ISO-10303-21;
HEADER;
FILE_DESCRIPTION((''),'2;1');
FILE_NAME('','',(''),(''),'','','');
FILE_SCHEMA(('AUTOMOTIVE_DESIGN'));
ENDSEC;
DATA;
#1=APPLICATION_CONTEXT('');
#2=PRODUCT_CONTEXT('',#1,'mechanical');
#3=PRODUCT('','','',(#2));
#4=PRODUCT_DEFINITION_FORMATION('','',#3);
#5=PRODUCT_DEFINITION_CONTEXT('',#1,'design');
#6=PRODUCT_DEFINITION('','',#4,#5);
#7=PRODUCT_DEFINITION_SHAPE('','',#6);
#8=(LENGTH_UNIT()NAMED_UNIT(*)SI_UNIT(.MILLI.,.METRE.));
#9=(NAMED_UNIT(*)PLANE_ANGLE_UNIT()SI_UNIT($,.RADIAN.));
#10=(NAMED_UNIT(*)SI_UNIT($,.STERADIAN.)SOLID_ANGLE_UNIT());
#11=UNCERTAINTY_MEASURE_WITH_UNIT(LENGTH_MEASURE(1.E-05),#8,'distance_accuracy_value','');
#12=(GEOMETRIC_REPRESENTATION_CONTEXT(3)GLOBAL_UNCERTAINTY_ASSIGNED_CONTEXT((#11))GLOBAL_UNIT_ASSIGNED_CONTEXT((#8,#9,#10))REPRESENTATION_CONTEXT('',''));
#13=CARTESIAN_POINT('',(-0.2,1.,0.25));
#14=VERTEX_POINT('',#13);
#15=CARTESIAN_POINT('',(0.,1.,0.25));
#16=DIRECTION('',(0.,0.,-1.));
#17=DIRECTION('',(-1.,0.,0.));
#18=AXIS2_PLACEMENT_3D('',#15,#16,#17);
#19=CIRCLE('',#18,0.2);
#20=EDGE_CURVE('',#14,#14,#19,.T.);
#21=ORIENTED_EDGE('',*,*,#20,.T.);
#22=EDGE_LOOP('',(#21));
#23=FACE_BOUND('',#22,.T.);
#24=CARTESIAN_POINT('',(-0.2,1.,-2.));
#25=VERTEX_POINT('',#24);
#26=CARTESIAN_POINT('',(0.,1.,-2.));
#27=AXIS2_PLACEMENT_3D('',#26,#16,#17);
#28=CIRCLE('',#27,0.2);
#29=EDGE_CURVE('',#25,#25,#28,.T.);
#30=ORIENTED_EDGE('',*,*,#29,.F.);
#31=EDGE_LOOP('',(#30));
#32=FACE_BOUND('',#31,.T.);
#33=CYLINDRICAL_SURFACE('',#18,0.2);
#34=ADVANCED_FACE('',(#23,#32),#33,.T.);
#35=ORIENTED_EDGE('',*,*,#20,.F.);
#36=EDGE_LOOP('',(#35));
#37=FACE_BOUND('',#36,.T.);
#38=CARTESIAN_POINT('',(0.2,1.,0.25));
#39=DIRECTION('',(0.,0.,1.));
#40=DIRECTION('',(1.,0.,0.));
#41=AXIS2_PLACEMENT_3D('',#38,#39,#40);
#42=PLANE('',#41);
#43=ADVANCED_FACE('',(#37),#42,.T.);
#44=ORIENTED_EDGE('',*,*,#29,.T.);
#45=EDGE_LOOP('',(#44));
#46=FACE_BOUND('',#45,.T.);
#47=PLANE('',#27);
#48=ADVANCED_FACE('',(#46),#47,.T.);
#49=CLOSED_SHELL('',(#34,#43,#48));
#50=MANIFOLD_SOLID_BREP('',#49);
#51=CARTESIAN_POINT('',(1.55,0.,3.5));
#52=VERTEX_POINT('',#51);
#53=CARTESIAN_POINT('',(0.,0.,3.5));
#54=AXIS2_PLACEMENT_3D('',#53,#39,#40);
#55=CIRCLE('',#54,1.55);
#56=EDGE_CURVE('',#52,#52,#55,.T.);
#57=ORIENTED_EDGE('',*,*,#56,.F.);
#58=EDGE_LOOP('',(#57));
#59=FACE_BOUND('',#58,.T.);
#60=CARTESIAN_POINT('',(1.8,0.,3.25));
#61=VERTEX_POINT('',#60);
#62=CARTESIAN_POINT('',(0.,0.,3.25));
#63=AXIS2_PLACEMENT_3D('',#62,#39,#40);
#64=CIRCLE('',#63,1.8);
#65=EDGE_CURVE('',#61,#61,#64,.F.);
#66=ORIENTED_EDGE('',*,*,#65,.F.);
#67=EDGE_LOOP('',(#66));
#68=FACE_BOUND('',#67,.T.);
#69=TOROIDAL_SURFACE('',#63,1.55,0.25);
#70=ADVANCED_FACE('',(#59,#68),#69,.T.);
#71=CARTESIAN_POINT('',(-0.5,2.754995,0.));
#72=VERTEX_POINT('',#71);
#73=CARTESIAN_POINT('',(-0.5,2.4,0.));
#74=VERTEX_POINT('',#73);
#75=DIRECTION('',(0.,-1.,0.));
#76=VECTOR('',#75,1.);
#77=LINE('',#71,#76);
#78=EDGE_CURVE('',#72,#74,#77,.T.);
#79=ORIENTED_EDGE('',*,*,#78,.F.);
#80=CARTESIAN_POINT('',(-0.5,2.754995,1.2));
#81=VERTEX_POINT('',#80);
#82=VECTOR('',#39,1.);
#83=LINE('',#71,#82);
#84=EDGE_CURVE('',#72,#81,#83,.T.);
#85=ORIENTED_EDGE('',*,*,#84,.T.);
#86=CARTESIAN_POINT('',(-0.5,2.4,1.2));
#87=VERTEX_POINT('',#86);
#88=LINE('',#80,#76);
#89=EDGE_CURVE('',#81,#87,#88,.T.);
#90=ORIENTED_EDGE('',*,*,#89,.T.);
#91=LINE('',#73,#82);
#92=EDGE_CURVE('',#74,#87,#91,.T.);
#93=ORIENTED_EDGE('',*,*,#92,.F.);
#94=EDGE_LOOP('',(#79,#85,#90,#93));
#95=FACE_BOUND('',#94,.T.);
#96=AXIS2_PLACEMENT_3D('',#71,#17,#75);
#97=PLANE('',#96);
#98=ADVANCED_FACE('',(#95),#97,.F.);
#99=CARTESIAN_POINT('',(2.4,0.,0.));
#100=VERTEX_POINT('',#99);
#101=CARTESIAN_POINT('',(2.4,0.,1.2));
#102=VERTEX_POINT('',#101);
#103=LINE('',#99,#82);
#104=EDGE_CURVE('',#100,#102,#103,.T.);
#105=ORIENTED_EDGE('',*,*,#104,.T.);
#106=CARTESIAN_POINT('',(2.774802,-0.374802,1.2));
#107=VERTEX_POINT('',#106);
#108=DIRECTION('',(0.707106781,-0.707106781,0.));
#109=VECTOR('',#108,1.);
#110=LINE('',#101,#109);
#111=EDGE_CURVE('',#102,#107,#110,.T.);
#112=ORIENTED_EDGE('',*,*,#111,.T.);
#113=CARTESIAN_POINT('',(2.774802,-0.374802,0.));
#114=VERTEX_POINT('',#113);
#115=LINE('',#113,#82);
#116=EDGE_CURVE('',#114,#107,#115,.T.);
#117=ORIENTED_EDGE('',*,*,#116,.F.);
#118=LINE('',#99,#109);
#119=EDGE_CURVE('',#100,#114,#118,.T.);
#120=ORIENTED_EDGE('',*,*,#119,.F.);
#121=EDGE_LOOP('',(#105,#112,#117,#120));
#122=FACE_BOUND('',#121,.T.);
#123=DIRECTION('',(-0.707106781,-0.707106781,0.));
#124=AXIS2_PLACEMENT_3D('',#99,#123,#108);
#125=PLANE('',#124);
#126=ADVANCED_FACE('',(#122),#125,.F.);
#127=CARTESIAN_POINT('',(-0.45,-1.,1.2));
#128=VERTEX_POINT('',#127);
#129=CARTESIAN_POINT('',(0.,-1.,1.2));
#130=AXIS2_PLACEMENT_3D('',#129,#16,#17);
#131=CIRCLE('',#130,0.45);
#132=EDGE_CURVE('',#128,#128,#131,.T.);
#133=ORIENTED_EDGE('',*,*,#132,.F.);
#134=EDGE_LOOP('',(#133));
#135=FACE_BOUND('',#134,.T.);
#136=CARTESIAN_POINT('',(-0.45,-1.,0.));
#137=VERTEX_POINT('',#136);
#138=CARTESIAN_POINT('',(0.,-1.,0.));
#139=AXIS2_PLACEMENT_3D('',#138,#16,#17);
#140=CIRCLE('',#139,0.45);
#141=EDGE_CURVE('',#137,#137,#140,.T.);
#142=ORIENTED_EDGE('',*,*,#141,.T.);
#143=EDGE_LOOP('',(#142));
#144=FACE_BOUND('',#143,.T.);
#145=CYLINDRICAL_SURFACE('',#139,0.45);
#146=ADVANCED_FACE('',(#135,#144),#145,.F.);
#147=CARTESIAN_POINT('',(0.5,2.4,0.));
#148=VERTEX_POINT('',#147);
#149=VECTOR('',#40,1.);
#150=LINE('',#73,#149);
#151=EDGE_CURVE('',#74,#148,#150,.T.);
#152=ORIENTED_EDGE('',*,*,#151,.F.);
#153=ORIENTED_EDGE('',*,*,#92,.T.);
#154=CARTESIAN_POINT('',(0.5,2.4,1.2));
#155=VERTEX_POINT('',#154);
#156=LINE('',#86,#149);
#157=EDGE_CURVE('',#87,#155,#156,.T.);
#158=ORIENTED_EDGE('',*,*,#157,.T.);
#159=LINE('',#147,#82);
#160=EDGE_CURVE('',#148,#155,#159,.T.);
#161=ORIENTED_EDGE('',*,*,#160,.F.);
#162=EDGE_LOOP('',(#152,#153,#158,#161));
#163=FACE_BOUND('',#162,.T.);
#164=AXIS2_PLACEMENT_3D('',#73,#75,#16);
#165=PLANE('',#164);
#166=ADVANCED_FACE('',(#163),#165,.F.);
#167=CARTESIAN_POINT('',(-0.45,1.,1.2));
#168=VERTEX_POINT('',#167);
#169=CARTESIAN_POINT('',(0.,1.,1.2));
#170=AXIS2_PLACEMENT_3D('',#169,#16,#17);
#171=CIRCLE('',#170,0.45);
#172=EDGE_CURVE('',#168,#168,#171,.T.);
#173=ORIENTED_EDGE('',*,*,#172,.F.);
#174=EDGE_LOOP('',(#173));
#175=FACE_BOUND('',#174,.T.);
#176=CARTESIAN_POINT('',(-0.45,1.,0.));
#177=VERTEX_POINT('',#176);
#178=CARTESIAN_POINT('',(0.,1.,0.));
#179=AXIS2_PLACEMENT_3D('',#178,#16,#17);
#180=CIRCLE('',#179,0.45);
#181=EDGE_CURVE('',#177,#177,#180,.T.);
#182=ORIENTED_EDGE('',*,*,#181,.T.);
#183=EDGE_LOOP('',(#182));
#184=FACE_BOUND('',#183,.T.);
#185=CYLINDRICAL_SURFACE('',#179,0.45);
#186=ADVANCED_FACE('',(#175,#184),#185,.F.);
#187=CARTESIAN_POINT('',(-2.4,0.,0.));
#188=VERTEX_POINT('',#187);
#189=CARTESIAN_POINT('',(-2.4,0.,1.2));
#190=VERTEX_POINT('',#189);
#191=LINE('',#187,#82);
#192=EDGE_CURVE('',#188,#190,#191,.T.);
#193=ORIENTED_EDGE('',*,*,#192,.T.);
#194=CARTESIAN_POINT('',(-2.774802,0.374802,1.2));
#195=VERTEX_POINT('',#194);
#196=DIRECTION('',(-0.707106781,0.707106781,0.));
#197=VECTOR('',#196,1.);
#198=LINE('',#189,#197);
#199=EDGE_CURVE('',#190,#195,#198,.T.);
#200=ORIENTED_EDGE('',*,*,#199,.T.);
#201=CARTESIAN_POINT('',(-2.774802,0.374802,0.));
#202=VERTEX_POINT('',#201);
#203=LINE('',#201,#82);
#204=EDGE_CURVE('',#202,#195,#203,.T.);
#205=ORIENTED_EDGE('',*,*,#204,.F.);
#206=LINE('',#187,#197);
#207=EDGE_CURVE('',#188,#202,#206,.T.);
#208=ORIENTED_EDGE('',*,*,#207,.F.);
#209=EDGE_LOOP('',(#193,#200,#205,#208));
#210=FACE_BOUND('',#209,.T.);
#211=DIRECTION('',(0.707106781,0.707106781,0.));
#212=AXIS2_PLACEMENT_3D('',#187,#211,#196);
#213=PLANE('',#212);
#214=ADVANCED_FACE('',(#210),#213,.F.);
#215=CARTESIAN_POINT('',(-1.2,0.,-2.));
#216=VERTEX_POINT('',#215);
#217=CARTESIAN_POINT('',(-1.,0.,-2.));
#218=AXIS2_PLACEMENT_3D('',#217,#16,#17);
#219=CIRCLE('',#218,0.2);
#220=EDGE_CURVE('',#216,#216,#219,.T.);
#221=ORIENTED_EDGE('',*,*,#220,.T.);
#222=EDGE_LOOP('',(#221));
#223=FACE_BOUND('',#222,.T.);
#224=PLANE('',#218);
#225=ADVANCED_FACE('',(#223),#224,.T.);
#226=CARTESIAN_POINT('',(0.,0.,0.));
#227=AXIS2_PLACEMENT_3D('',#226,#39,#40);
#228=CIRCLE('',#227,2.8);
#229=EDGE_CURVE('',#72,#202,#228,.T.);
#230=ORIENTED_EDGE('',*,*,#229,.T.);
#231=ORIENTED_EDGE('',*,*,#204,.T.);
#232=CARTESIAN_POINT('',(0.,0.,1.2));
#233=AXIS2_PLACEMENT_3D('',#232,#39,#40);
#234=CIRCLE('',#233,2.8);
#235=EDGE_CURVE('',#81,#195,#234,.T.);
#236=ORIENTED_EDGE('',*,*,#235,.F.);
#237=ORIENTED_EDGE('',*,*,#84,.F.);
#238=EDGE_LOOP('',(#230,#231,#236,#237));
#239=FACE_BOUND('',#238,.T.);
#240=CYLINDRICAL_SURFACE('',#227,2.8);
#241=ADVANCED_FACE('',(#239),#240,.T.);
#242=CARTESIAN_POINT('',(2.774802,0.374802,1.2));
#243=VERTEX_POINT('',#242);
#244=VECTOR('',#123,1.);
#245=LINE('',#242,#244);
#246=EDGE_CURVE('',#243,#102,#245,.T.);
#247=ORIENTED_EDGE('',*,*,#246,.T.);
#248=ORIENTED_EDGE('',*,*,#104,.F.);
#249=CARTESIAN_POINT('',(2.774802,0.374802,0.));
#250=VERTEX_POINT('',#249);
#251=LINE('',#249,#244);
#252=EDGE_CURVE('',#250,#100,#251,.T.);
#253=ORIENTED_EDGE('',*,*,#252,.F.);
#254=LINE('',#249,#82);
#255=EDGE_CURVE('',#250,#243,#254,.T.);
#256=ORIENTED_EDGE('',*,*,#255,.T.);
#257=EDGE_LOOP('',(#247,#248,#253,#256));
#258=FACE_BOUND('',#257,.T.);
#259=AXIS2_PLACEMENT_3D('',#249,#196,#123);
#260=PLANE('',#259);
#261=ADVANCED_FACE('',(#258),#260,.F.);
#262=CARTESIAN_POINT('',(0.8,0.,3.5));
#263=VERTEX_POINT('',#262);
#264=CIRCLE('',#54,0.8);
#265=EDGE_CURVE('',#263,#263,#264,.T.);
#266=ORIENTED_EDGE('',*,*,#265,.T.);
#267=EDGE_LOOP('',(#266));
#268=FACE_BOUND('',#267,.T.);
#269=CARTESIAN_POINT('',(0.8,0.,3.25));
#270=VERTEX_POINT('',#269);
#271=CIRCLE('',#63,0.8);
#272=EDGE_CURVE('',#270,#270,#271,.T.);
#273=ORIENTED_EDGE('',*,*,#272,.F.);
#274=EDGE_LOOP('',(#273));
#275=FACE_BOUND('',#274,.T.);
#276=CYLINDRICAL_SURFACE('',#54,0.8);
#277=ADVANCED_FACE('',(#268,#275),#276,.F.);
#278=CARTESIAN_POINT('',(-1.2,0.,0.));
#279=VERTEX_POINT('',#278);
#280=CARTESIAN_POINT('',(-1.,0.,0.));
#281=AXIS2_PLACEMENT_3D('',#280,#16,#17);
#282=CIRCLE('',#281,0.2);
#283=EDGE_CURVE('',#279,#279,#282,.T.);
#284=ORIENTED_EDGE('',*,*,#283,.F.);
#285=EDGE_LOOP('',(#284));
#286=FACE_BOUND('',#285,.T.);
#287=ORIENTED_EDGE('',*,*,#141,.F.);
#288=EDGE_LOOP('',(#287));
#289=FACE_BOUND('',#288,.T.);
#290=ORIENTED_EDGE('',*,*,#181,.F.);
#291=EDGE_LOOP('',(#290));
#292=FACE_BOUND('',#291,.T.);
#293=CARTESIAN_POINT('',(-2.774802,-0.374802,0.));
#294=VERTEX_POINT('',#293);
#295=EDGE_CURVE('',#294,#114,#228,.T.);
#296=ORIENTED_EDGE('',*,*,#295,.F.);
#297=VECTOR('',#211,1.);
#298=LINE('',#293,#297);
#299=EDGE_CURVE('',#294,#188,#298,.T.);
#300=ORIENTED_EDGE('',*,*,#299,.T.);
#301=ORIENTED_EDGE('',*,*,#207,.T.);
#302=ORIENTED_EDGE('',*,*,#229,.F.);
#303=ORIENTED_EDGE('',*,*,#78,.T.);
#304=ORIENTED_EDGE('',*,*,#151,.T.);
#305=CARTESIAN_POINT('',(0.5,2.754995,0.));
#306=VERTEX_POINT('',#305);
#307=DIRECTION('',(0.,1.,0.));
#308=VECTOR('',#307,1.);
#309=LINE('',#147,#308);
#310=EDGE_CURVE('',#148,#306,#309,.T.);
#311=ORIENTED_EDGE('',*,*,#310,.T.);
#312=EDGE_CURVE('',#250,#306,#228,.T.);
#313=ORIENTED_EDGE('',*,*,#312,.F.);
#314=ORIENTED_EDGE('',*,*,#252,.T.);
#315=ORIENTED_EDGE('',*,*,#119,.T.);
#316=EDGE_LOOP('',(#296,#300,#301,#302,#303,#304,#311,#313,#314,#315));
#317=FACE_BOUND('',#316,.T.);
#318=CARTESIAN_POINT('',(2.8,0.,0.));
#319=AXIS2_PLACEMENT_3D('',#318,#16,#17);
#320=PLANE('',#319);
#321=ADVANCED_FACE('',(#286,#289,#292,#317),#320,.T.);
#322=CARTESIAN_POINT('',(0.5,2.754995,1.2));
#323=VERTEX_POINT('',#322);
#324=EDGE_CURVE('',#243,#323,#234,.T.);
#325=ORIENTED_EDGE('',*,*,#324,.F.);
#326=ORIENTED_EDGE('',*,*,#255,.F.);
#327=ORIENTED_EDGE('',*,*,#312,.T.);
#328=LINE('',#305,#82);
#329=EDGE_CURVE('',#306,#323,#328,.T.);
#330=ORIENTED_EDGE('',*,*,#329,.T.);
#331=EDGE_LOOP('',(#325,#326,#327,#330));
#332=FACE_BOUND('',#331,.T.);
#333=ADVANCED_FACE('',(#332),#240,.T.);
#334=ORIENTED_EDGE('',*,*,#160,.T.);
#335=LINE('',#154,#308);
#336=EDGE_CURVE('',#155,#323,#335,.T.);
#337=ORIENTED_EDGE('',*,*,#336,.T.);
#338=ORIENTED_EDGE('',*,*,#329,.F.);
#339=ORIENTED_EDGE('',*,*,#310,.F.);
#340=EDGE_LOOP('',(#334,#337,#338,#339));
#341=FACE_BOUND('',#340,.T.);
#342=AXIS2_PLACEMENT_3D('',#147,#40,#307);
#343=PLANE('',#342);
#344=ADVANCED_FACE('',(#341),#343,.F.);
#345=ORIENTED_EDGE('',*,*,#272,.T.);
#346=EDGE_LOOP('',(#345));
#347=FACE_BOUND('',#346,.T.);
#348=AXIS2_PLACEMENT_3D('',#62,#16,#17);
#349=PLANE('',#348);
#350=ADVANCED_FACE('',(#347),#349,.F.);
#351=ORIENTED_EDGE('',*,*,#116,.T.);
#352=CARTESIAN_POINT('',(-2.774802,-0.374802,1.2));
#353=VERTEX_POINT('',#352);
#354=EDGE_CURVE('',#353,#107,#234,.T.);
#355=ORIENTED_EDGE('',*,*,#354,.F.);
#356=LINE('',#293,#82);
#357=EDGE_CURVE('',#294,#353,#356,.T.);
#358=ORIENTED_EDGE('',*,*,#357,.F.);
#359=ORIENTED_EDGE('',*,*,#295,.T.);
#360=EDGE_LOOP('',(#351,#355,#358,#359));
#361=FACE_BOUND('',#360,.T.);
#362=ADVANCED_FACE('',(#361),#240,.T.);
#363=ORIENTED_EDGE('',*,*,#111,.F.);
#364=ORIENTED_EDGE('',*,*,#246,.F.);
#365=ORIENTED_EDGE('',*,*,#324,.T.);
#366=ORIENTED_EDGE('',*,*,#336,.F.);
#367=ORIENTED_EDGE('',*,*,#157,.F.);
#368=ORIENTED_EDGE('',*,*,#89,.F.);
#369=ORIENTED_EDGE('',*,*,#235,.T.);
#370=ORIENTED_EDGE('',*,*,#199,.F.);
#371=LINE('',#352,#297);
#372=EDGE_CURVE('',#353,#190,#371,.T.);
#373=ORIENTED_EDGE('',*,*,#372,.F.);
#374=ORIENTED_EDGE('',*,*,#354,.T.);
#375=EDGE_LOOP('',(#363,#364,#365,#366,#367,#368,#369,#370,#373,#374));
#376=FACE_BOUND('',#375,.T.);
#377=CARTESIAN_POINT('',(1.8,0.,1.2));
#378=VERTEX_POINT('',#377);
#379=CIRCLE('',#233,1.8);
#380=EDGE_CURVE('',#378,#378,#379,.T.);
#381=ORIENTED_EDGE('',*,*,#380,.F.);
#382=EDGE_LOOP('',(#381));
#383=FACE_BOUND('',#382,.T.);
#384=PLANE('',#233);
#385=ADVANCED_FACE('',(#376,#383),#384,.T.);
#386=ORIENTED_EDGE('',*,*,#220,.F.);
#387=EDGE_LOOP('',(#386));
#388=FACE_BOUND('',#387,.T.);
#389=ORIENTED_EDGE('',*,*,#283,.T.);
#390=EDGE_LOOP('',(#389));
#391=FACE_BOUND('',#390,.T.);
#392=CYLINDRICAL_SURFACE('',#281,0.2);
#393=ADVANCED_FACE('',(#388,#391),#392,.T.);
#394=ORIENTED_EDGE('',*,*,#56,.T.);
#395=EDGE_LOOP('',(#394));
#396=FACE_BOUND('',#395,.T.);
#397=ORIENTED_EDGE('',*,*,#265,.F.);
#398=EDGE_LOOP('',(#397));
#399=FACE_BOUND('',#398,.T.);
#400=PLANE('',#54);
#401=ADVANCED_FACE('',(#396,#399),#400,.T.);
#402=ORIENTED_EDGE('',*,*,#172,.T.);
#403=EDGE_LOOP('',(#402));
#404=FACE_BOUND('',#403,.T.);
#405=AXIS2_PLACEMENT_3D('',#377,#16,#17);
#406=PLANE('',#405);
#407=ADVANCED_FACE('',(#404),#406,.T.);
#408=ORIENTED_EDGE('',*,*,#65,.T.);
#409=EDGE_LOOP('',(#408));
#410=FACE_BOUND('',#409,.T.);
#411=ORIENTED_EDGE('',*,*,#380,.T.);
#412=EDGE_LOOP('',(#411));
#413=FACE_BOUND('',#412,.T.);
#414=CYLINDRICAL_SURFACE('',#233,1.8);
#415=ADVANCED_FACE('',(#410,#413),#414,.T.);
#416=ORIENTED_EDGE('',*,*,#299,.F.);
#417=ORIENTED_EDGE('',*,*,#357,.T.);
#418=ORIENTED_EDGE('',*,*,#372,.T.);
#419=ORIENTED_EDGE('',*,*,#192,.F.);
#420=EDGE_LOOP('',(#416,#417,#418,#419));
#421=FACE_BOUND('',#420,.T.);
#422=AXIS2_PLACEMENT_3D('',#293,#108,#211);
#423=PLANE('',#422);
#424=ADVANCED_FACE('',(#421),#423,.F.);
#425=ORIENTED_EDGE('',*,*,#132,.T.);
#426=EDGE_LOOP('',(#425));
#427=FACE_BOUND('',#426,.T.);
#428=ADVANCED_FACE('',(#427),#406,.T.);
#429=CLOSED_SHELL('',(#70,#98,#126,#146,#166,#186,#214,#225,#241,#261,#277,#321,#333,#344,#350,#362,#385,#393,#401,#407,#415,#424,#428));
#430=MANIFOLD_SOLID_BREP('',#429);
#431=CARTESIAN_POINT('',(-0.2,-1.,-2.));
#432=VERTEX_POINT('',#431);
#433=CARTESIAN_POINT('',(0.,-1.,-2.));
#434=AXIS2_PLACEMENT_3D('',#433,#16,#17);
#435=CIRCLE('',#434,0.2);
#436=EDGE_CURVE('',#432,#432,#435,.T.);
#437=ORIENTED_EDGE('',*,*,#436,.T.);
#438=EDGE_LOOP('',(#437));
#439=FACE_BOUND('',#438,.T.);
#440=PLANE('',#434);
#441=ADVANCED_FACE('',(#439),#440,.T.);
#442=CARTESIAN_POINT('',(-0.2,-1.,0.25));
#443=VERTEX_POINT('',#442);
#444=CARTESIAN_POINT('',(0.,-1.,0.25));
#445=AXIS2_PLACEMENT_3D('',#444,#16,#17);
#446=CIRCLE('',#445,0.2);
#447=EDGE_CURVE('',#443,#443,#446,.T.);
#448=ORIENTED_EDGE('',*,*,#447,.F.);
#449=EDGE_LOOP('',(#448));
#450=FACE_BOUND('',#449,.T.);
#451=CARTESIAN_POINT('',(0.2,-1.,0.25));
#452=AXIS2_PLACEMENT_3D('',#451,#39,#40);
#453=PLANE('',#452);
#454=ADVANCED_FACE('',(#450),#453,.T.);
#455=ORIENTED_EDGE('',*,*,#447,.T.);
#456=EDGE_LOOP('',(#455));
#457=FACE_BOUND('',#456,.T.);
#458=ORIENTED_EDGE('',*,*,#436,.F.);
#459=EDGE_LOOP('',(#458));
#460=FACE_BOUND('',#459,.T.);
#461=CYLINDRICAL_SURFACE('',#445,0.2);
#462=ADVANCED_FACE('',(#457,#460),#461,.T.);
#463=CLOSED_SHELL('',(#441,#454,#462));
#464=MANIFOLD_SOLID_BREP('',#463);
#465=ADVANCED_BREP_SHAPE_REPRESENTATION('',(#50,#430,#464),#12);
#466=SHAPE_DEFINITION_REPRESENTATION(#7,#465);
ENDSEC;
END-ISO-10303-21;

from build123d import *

# Parameters (mm, degrees)
SKETCH1_W                  = 2.8
SKETCH1_H                  = 1.2
CUT_EXTRUDE1_DEPTH         = 5.137632173
CUT_EXTRUDE2_DEPTH         = 5.137632173
CUT_EXTRUDE3_START         = -1.2
CUT_EXTRUDE3_DEPTH         = 1.2
F_0_9_0_9_DIAMETER_HOLE1_D = 0.9
F_0_9_0_9_DIAMETER_HOLE2_D = 0.9
SKETCH9_W                  = 1.8
SKETCH9_H                  = 2.3
SKETCH10_W                 = 0.2
SKETCH10_H                 = 2
SKETCH11_W                 = 0.2
SKETCH11_H                 = 2.25
SKETCH12_W                 = 0.2
SKETCH12_H                 = 2.25
SKETCH13_W                 = 0.8
SKETCH13_H                 = 0.25
FILLET1_R                  = 0.25


with BuildPart() as part:
    # Sketch1 → Revolve1 (revolve)
    with BuildSketch(Plane(origin=(0, 0, 0), x_dir=(1, 0, 0), z_dir=(0, 1, 0))):
        with Locations((1.4, -0.6)):
            Rectangle(SKETCH1_W, SKETCH1_H)
    revolve(axis=Axis((0, 0, 0), (0, 0, 1)))

    # Sketch2 → Cut-Extrude1 (cut, through all)
    with BuildSketch(Plane.XY.offset(1.2)):
        with BuildLine():
            Line((2.774801575, 0.374801575), (2.4, 0))
            Line((2.4, 0), (2.774801575, -0.374801575))
            ThreePointArc((2.774801575, -0.374801575), (2.8, 0), (2.774801575, 0.374801575))
        make_face()
    extrude(amount=-CUT_EXTRUDE1_DEPTH, mode=Mode.SUBTRACT)

    # Sketch3 → Cut-Extrude2 (cut, through all)
    with BuildSketch(Plane.XY.offset(1.2)):
        with BuildLine():
            Line((-2.774801575, -0.374801575), (-2.4, 0))
            Line((-2.4, 0), (-2.774801575, 0.374801575))
            ThreePointArc((-2.774801575, 0.374801575), (-2.8, 0), (-2.774801575, -0.374801575))
        make_face()
    extrude(amount=-CUT_EXTRUDE2_DEPTH, mode=Mode.SUBTRACT)

    # Sketch4 → Cut-Extrude3 (cut)
    with BuildSketch(Plane.XY.offset(1.2).offset(CUT_EXTRUDE3_START)):
        with BuildLine():
            Line((-0.5, 2.754995463), (-0.5, 2.4))
            Line((-0.5, 2.4), (0.5, 2.4))
            Line((0.5, 2.4), (0.5, 2.754995463))
            ThreePointArc((0.5, 2.754995463), (0, 2.8), (-0.5, 2.754995463))
        make_face()
    extrude(amount=CUT_EXTRUDE3_DEPTH, mode=Mode.SUBTRACT)

    # Ø0.9 (0.9) Diameter Hole1 (through all)
    with Locations(Plane(origin=(0, 0, 0), x_dir=(-1, 0, 0), z_dir=(0, 0, -1))):
        with Locations((0, 1)):
            Hole(F_0_9_0_9_DIAMETER_HOLE1_D / 2)

    # Ø0.9 (0.9) Diameter Hole2 (through all)
    with Locations(Plane(origin=(0, 0, 0), x_dir=(-1, 0, 0), z_dir=(0, 0, -1))):
        with Locations((0, -1)):
            Hole(F_0_9_0_9_DIAMETER_HOLE2_D / 2)

    # Sketch9 → Revolve2 (revolve)
    with BuildSketch(Plane(origin=(0, 0, 0), x_dir=(1, 0, 0), z_dir=(0, 1, 0))):
        with Locations((0.9, -2.35)):
            Rectangle(SKETCH9_W, SKETCH9_H)
    revolve(axis=Axis((0, 0, 1.2), (0, 0, 1)))

    # Sketch10 → Revolve3 (revolve)
    with BuildSketch(Plane.XZ, mode=Mode.PRIVATE) as revolve3_sk:
        with Locations((-0.9, -1)):
            Rectangle(SKETCH10_W, SKETCH10_H)
    revolve(revolve3_sk.sketch.rotate(Axis((-1, 0, 0), (0, 0, -1)), 180), axis=Axis((-1, 0, 0), (0, 0, -1)))

    # Sketch13 → Ø1.6 (1.6) Diameter Hole1 (revolve, cut)
    with BuildSketch(Plane(origin=(0, 0, 3.5), x_dir=(0, -1, 0), z_dir=(1, 0, 0))):
        with Locations((0.4, 0.125)):
            Rectangle(SKETCH13_W, SKETCH13_H)
    revolve(axis=Axis((0, 0, 9.85), (0, 0, -1)), mode=Mode.SUBTRACT)

    # Fillet1
    fillet1_edges = [part.edges().sort_by_distance(p)[0] for p in [
        (-1.8, 0, 3.5),
    ]]
    fillet(fillet1_edges, radius=FILLET1_R)


with BuildPart() as body_2:
    # Sketch11 → Revolve4 (revolve)
    with BuildSketch(Plane.XZ.offset(1), mode=Mode.PRIVATE) as revolve4_sk:
        with Locations((0.1, -0.875)):
            Rectangle(SKETCH11_W, SKETCH11_H)
    revolve(revolve4_sk.sketch.rotate(Axis((0, -1, 0.25), (0, 0, -1)), 180), axis=Axis((0, -1, 0.25), (0, 0, -1)))


with BuildPart() as body_3:
    # Sketch12 → Revolve5 (revolve)
    with BuildSketch(Plane.XZ.offset(-1), mode=Mode.PRIVATE) as revolve5_sk:
        with Locations((0.1, -0.875)):
            Rectangle(SKETCH12_W, SKETCH12_H)
    revolve(revolve5_sk.sketch.rotate(Axis((0, 1, 0.25), (0, 0, -1)), 180), axis=Axis((0, 1, 0.25), (0, 0, -1)))


solid = Compound([part.part, body_2.part, body_3.part])
